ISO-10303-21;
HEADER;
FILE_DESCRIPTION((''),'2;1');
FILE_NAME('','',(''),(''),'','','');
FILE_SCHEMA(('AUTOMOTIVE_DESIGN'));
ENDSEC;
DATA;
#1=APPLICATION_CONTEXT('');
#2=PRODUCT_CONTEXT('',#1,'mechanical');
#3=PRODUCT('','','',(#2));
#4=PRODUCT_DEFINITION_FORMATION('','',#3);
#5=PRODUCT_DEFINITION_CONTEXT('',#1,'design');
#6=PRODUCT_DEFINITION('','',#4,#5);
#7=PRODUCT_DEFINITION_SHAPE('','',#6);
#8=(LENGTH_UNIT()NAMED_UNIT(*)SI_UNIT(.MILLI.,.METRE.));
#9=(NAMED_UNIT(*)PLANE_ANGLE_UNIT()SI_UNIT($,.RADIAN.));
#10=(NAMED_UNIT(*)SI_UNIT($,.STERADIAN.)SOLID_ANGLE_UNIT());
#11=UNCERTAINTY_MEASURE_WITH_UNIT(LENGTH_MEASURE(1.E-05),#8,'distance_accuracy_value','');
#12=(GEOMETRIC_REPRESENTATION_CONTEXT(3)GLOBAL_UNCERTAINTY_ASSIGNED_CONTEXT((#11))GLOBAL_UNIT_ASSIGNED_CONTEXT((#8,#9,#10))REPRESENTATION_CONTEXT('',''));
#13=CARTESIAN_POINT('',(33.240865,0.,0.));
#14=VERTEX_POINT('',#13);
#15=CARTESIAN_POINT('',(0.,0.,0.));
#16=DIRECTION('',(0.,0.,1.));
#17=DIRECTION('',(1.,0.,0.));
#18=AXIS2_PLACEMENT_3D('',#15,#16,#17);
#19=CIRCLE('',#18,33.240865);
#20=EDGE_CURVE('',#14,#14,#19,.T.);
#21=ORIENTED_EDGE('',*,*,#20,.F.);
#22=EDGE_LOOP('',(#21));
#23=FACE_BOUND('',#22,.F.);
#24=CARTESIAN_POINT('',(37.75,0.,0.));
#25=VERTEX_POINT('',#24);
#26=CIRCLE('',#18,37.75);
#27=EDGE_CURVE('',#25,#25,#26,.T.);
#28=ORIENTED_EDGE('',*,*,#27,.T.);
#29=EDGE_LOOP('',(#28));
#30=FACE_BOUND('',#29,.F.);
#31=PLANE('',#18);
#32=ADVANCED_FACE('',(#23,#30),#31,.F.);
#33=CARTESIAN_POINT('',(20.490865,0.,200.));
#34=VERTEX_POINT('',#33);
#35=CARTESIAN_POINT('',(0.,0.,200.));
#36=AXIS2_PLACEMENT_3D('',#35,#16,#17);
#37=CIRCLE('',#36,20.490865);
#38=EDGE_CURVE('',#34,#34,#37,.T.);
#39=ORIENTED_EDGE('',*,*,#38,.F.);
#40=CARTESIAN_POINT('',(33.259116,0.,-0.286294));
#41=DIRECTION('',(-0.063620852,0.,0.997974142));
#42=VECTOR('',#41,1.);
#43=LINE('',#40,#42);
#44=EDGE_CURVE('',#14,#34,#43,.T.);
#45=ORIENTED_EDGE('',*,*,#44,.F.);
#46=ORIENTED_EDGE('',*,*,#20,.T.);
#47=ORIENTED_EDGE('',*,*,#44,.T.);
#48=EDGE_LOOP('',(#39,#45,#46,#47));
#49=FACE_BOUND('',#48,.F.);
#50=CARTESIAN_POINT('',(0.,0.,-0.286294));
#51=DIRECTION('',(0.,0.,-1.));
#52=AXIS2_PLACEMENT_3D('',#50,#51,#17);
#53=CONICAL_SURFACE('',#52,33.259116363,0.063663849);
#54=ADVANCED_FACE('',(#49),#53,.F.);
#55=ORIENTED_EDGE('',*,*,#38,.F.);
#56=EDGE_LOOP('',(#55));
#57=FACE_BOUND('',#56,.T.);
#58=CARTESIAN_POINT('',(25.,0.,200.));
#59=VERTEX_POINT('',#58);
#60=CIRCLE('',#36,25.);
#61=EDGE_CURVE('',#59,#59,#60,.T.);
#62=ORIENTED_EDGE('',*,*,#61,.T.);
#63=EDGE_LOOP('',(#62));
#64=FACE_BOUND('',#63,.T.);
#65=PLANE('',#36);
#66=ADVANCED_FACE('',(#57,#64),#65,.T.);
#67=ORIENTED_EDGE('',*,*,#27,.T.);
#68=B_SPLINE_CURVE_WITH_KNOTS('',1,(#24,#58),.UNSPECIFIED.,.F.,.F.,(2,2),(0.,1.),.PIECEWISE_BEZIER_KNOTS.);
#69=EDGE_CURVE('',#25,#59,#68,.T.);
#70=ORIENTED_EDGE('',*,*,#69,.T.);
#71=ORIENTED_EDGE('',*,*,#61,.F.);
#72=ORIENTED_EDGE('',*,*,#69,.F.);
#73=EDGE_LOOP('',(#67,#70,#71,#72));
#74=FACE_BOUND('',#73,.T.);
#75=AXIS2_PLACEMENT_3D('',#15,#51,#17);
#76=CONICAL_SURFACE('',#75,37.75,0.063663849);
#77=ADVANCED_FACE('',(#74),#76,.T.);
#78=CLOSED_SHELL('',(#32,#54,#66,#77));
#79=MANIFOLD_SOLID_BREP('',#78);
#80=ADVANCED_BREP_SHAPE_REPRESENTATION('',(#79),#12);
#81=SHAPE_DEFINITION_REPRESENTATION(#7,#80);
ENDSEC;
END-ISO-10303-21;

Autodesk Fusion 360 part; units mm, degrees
sketch "Sketch1" plane through (0, 0, 0) normal (0, 0, 1) x (1, 0, 0)
  circle A0 centre (0, 0) radius 37.75
  dimension "d5" = 75.5
ref_plane "WorkPlane1" through (0, 0, 200) normal (0, 0, 1) x (1, 0, 0)
sketch "Sketch2" plane through (0, 0, 200) normal (0, 0, 1) x (1, 0, 0)
  circle A0 centre (0, 0) radius 25
  dimension "d8" = 50
loft "Loft1" add profiles "Sketch1", "Sketch2" section 1 section 2
shell "Shell1" thickness 4.5 removed faces 2 at (-6.7759, -1.242, 200) at (9.2242, 8.5588, 0)
equation "hose_end1_ID = 75.5 mm" comment "compressor lip, confirmed"
equation "hose_end2_ID = 50 mm" comment "placeholder, not confirmed"
equation "hose_length = 200 mm"
equation "wall_thickness = 4.5 mm"
equation "d5 = hose_end1_ID"
equation "d6 = hose_length"
equation "d8 = hose_end2_ID"
equation "d9 = wall_thickness"
